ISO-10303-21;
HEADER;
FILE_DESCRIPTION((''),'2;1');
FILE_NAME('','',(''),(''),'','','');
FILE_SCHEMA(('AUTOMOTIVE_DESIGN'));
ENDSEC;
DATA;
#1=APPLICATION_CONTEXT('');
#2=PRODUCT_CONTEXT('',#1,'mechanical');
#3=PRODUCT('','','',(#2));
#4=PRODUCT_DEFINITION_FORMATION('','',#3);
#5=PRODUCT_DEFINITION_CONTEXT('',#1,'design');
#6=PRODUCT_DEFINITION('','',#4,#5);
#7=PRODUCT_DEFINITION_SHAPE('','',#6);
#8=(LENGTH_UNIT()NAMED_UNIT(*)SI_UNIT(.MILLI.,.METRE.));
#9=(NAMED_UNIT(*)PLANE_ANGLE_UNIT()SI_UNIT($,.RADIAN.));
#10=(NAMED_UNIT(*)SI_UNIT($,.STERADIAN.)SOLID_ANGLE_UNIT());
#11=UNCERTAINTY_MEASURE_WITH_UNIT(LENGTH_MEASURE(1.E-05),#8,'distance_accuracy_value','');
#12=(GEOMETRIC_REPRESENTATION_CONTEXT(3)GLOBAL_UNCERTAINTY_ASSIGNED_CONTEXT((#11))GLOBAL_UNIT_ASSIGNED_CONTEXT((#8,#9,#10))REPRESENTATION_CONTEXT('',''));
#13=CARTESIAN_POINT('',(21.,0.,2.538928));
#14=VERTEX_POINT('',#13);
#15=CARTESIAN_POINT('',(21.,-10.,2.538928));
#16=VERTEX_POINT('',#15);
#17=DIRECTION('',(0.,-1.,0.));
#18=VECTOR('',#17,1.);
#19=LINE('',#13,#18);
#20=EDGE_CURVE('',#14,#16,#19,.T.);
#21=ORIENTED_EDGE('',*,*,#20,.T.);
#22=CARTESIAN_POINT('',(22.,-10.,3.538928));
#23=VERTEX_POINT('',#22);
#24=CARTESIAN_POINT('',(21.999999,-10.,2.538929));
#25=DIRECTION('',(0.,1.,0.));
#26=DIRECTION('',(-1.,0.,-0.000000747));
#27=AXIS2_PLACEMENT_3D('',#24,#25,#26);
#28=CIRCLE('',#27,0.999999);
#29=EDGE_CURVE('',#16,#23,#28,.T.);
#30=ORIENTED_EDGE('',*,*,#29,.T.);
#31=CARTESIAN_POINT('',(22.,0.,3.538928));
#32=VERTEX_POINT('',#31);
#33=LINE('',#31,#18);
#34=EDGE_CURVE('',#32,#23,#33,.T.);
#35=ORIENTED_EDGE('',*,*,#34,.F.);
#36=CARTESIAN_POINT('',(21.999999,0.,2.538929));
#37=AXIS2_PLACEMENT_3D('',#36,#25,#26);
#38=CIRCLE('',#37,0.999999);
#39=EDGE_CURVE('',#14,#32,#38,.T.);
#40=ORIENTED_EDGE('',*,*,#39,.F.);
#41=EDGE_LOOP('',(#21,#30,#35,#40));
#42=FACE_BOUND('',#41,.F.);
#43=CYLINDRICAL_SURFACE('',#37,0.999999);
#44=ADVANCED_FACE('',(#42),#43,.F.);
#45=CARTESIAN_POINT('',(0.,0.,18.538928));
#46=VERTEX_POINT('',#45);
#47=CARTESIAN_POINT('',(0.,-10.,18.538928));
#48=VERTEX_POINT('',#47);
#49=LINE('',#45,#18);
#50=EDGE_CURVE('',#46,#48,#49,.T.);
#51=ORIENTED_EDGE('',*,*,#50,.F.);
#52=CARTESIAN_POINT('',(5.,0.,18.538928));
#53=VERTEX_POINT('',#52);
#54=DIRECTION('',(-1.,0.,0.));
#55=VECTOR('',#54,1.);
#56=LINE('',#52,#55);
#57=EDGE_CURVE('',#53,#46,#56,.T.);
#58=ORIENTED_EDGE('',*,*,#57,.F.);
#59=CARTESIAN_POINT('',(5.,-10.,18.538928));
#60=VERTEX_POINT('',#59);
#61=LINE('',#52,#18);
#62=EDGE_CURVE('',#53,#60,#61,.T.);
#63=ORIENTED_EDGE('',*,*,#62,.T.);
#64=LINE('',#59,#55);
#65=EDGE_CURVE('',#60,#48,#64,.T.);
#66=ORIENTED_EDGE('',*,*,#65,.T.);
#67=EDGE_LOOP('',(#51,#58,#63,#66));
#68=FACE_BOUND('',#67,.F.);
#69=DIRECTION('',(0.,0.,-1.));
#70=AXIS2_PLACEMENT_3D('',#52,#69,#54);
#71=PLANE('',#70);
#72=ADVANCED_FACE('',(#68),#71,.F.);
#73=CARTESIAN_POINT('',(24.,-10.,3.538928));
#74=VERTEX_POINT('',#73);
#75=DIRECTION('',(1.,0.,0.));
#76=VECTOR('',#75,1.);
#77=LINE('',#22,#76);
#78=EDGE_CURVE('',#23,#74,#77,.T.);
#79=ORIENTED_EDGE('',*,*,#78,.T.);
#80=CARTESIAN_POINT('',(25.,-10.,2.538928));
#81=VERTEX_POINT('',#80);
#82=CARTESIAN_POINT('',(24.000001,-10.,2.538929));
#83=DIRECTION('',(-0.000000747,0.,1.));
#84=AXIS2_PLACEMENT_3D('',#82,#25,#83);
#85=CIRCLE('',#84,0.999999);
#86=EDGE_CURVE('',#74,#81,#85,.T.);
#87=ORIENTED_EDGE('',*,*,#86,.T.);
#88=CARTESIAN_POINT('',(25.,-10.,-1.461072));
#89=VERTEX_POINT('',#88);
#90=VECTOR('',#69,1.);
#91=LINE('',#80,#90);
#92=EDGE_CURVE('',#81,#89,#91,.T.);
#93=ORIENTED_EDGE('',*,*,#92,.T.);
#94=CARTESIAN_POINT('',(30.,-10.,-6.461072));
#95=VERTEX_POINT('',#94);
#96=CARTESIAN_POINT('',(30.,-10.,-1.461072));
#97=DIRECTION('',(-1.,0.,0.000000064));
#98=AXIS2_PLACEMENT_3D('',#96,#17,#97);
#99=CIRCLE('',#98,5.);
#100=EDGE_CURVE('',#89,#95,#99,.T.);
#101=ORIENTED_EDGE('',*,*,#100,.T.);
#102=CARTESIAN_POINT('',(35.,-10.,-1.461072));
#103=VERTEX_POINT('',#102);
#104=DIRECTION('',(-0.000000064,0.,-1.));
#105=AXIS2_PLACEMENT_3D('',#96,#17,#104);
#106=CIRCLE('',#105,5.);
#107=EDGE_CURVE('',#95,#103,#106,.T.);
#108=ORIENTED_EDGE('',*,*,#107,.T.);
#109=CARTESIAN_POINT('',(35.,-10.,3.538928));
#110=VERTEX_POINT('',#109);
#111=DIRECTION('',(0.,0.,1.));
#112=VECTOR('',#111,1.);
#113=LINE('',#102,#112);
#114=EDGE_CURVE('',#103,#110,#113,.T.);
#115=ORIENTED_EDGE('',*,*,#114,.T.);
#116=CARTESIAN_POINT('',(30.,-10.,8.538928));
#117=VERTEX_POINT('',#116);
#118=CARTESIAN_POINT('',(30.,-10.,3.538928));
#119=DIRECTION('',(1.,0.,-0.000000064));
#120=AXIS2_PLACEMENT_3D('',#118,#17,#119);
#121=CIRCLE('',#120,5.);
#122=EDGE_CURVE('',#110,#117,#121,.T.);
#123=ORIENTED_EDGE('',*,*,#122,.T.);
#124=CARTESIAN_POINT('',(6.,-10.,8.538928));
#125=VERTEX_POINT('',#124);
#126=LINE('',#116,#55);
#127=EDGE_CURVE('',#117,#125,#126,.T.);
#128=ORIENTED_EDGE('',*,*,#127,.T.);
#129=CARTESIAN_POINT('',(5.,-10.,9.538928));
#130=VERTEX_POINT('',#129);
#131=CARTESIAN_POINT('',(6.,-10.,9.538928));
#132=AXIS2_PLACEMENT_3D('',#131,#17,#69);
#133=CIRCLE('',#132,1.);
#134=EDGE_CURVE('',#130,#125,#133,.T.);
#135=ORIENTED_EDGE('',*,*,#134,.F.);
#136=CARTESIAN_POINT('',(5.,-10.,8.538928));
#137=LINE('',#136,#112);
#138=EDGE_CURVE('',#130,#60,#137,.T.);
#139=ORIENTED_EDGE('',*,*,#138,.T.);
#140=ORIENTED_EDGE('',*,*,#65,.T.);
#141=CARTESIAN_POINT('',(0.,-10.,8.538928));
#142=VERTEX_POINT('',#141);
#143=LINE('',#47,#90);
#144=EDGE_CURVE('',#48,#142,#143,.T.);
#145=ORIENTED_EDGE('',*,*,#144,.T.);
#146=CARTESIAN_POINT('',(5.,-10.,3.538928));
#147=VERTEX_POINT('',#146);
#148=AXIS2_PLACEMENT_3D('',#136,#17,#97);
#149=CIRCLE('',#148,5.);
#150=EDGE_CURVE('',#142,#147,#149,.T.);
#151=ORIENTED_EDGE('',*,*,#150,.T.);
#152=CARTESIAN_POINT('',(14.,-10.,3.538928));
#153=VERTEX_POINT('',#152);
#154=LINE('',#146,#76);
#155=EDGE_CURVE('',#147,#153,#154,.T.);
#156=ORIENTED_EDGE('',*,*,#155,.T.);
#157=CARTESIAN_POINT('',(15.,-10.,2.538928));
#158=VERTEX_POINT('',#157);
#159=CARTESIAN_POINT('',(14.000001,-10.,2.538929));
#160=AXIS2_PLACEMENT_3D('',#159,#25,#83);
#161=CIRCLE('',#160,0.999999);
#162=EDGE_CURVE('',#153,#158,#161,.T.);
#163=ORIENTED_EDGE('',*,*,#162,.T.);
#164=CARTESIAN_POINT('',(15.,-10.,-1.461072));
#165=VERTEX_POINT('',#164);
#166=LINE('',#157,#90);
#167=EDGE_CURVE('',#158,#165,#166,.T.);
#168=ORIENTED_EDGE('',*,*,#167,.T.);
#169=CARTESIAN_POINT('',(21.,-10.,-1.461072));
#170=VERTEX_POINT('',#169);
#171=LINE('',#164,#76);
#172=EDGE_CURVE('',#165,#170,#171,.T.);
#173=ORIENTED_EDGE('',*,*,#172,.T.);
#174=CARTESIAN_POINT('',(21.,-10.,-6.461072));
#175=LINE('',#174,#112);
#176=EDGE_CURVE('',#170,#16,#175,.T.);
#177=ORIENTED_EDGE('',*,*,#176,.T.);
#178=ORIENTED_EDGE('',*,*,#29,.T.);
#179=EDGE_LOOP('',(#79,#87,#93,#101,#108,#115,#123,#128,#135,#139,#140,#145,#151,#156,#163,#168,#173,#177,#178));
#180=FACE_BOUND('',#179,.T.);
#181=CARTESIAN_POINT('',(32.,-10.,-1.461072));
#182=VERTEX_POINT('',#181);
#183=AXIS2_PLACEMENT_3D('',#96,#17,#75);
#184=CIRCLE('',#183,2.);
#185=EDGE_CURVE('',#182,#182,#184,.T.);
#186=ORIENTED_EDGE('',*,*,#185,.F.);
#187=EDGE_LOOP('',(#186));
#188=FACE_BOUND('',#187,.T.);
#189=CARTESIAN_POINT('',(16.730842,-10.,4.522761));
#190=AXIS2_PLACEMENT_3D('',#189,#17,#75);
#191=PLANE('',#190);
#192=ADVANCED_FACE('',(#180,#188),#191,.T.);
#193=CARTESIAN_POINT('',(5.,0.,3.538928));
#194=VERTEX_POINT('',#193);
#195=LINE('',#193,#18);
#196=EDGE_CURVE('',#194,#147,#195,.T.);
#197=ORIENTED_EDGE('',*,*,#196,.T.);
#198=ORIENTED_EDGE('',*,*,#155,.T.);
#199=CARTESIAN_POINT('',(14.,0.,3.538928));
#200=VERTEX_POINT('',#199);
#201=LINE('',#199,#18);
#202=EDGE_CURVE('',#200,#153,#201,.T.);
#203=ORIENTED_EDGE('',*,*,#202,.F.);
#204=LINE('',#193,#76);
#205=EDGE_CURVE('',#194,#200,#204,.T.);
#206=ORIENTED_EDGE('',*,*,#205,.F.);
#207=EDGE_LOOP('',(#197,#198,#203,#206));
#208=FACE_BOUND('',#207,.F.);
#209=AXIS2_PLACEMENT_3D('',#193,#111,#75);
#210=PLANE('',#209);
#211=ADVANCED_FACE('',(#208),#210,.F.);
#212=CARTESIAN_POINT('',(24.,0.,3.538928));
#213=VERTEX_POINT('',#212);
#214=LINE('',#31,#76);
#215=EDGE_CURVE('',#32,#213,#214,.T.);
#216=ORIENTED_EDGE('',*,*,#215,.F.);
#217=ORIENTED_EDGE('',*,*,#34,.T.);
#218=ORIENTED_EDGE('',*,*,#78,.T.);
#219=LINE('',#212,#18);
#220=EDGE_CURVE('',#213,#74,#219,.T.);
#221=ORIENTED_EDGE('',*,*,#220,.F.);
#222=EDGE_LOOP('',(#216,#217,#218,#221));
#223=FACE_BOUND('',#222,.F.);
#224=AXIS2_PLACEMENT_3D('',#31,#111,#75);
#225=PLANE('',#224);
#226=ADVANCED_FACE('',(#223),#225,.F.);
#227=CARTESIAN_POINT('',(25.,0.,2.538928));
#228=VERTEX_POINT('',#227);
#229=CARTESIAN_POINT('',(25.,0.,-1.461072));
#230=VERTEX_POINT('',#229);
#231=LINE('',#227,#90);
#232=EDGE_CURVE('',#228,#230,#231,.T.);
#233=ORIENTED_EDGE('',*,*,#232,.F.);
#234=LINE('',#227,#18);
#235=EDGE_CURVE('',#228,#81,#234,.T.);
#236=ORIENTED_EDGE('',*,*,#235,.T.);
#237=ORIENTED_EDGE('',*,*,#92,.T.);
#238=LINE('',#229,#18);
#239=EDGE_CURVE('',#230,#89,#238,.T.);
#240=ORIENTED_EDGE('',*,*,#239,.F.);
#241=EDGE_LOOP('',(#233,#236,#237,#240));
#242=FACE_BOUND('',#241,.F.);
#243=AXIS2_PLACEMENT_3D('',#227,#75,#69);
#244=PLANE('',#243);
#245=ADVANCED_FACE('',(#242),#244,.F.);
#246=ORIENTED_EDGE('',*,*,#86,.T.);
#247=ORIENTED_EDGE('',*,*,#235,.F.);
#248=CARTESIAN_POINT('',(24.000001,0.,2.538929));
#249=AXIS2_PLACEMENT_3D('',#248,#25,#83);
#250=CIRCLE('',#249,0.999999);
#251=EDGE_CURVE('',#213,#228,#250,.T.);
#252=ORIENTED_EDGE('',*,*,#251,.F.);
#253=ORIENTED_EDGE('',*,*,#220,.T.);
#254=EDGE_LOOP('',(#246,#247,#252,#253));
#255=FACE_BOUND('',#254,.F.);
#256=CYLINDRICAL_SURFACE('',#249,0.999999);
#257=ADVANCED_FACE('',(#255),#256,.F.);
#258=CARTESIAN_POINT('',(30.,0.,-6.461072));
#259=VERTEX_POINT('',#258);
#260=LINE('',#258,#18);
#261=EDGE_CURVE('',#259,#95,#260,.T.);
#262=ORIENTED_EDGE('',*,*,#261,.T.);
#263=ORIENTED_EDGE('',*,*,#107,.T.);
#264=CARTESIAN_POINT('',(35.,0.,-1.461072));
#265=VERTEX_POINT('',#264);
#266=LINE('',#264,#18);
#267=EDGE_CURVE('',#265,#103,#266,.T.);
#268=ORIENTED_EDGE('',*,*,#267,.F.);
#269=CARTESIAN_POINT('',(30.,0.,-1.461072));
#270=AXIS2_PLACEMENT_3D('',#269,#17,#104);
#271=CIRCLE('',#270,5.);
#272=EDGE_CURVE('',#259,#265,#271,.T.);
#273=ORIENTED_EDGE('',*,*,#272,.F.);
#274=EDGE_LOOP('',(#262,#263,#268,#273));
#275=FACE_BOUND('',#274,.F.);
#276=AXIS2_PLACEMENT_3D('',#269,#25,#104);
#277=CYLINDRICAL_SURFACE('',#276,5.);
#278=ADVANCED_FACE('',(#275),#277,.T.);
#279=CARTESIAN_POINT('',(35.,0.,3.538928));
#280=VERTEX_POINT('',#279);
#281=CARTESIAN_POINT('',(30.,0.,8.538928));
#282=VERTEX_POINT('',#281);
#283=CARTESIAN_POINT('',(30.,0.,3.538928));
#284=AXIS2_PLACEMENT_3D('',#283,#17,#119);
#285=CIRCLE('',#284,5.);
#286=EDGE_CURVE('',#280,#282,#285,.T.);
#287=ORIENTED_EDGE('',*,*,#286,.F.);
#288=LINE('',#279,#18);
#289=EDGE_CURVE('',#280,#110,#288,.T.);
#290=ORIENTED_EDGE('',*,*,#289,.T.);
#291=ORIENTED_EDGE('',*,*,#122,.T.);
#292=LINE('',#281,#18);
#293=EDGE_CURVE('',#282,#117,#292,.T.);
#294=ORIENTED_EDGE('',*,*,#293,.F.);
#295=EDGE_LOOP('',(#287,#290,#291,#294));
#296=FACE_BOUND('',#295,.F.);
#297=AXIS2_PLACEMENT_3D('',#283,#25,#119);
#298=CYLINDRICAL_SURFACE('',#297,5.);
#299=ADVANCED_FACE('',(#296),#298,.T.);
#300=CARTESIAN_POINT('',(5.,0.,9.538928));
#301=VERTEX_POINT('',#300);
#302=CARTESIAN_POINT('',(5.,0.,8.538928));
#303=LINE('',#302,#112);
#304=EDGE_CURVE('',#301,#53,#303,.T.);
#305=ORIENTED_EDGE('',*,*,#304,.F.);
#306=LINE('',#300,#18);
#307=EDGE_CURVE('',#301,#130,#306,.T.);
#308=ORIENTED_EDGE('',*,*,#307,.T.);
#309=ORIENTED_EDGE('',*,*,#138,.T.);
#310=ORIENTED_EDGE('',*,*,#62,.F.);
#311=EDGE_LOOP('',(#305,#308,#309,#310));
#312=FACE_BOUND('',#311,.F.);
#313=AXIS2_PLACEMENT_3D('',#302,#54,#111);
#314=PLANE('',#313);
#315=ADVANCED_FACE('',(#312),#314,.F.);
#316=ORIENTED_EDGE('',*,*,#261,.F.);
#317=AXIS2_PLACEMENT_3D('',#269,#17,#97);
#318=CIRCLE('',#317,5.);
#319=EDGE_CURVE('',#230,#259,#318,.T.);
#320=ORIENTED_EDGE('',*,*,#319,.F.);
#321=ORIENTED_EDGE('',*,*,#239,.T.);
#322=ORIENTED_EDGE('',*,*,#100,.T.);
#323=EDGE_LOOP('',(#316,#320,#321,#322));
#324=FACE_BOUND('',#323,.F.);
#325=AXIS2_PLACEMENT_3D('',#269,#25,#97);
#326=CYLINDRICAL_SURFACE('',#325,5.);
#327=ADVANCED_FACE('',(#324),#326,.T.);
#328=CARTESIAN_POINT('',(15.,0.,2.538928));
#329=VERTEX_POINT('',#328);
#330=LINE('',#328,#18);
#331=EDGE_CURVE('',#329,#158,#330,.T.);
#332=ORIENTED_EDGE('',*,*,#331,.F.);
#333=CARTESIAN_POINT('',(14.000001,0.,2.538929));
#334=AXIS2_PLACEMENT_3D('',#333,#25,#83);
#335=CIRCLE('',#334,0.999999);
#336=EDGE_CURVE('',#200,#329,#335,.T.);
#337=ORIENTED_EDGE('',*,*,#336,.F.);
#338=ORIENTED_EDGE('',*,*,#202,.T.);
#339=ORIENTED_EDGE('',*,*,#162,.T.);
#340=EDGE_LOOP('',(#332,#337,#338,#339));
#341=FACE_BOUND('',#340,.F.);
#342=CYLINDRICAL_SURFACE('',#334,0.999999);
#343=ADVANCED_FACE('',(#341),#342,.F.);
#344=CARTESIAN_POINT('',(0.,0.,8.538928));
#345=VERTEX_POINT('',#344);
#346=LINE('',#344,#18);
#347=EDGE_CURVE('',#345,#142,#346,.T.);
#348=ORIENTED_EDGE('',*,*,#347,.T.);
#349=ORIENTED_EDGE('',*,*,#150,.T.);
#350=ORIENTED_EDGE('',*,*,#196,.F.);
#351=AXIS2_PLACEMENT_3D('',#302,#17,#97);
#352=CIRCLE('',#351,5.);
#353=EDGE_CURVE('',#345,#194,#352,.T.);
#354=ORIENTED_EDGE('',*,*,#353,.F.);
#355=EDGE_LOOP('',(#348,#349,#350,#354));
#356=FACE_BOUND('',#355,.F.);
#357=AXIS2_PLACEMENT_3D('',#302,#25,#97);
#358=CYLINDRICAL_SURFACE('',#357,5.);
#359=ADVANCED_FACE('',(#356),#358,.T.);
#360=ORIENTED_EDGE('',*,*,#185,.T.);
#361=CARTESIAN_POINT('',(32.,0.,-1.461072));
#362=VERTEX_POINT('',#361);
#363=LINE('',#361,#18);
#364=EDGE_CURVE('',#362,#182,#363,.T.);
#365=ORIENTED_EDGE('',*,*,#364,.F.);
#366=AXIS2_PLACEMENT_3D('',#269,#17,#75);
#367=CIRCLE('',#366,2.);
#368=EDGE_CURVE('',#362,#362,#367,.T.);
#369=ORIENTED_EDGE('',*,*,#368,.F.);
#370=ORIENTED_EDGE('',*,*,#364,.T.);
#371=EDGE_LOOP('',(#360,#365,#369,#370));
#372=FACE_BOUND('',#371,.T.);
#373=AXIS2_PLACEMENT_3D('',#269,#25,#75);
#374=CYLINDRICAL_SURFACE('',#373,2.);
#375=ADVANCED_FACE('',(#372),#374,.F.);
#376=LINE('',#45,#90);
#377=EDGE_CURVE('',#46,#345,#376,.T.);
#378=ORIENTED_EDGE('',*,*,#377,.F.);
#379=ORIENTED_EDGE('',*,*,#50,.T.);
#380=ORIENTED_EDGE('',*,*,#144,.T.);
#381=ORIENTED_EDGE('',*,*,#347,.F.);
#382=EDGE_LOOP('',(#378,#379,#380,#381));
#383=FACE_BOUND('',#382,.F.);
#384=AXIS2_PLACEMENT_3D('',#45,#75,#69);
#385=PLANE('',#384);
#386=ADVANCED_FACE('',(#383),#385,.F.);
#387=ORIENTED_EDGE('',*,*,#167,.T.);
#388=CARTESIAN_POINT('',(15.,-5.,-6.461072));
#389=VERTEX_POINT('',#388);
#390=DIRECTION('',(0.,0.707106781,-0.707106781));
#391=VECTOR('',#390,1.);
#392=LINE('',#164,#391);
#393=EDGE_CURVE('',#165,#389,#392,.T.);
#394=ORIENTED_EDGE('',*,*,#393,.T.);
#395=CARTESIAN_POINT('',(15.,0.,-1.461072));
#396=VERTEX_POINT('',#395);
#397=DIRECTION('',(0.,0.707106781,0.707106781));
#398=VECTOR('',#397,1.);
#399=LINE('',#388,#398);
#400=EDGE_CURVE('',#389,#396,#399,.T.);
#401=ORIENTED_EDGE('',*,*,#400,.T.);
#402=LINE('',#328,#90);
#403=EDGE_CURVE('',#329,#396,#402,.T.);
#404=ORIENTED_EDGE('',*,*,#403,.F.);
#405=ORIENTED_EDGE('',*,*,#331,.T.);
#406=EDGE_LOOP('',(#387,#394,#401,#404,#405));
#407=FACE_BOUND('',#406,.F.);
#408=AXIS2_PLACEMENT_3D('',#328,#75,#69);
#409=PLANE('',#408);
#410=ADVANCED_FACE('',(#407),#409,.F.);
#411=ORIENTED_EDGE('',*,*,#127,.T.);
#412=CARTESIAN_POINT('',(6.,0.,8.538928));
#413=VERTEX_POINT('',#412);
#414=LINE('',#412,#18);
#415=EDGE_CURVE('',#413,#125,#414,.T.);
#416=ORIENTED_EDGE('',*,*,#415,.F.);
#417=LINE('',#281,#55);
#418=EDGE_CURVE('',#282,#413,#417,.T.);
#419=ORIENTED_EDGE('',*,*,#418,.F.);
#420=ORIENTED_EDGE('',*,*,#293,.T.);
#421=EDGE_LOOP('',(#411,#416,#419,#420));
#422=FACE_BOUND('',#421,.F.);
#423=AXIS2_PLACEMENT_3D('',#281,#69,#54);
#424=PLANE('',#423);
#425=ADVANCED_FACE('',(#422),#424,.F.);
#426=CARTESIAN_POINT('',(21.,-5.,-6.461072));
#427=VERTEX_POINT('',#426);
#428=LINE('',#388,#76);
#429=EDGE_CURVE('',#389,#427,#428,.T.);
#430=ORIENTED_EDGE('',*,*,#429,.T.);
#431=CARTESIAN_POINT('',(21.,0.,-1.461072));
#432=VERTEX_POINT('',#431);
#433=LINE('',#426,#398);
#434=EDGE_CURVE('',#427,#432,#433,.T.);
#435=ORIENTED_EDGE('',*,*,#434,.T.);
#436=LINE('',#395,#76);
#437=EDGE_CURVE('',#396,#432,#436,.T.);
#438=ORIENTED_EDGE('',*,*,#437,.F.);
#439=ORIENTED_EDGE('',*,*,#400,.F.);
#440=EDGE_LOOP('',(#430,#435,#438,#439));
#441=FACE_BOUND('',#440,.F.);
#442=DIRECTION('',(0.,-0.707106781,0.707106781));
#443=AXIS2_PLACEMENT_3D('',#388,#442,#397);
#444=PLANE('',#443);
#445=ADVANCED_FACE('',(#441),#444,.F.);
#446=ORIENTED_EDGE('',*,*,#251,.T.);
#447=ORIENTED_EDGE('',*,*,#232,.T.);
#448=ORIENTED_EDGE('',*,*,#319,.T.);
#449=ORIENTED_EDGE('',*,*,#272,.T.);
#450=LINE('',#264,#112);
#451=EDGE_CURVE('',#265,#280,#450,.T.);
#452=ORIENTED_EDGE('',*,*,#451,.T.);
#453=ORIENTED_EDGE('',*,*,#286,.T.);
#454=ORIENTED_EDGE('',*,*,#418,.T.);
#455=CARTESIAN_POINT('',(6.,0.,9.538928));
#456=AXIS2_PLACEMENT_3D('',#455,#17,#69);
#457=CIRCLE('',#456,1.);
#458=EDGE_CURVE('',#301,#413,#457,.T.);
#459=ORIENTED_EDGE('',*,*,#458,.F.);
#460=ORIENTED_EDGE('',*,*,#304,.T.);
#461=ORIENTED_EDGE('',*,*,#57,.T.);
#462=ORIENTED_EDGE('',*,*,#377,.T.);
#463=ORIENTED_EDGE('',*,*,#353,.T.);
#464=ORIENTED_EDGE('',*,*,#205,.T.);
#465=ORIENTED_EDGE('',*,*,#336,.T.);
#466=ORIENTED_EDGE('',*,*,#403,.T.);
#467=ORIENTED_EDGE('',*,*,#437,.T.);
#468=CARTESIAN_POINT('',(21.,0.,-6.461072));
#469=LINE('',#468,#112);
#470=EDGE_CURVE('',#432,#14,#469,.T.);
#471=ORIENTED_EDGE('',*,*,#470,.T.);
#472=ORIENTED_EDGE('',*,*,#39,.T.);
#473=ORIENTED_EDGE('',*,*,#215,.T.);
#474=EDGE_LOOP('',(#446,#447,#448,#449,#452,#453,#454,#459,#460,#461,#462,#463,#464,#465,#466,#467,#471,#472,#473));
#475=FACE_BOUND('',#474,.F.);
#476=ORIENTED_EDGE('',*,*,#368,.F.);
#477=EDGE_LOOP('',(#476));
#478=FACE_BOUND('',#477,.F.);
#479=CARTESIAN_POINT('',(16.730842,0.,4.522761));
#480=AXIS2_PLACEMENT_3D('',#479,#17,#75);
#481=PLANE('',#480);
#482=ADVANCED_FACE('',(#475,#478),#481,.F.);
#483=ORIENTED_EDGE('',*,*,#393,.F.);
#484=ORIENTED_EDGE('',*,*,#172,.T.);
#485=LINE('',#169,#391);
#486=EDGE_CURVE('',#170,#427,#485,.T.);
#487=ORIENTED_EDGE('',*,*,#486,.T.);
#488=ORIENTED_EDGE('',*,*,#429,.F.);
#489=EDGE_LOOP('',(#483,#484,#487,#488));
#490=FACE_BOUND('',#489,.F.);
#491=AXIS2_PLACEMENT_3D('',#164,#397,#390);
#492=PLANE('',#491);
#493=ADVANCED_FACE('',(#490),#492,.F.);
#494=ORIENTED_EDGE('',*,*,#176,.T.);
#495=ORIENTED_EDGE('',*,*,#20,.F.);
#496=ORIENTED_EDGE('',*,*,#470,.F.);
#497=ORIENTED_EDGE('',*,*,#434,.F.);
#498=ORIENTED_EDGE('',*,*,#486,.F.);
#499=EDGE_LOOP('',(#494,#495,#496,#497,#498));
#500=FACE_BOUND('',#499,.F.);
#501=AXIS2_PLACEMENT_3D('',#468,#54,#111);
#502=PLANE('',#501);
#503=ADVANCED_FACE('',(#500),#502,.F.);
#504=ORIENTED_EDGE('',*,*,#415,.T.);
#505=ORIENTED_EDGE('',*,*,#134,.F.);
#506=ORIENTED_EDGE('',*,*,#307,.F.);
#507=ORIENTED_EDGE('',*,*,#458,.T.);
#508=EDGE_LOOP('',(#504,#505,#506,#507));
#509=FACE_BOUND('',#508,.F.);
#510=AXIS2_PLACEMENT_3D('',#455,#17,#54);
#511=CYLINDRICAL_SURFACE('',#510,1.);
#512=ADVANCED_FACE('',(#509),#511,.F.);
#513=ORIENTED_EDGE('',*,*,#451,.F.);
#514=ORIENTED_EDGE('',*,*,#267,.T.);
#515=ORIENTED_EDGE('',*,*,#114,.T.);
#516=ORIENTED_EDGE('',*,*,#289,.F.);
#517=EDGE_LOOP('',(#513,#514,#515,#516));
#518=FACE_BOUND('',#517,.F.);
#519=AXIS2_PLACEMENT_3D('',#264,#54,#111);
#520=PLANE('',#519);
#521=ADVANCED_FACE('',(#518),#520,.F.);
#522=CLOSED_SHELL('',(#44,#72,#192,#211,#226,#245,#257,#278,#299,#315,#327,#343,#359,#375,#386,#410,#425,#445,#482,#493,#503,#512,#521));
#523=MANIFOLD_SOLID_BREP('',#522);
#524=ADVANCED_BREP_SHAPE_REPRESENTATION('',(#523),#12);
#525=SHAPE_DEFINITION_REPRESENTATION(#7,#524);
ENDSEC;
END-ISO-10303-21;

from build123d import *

# Parameters (mm, degrees)
F0_R     = 2
F1_DEPTH = 10
F2_R     = 1
F4_DEPTH = 6


with BuildPart() as f1:
    # F0 (on Front) → F1 (new body)
    with BuildSketch(Plane.XZ):
        with BuildLine():
            Line((5, 18.538928), (0, 18.538928))
            Line((0, 18.538928), (0, 8.538928))
            ThreePointArc((0, 8.538928), (1.464466, 5.003394), (5, 3.538928))
            Line((5, 3.538928), (14, 3.538928))
            ThreePointArc((14, 3.538928), (14.707107, 3.246035), (15, 2.538928))
            Line((15, 2.538928), (15, -6.461072))
            Line((15, -6.461072), (21, -6.461072))
            Line((21, -6.461072), (21, 2.538928))
            ThreePointArc((21, 2.538928), (21.292893, 3.246035), (22, 3.538928))
            Line((22, 3.538928), (24, 3.538928))
            ThreePointArc((24, 3.538928), (24.707107, 3.246035), (25, 2.538928))
            Line((25, 2.538928), (25, -1.461072))
            ThreePointArc((25, -1.461072), (26.464466, -4.996606), (30, -6.461072))
            ThreePointArc((30, -6.461072), (33.535534, -4.996606), (35, -1.461072))
            Line((35, -1.461072), (35, 3.538928))
            ThreePointArc((35, 3.538928), (33.535534, 7.074462), (30, 8.538928))
            Line((30, 8.538928), (5, 8.538928))
            Line((5, 8.538928), (5, 18.538928))
        make_face()
        with Locations((30, -1.461072)):
            Circle(F0_R, mode=Mode.SUBTRACT)
    extrude(amount=F1_DEPTH)

    # F2
    f2_edges = [f1.edges().sort_by_distance(p)[0] for p in [
        (5, -5, 8.538928),
    ]]
    fillet(f2_edges, radius=F2_R)

    # F3 (on face) → F4 (cut)
    with BuildSketch(Plane(origin=(15, 0, 0), x_dir=(0, -1, 0), z_dir=(-1, 0, 0))):
        Polygon((0, -6.461072), (5, -6.461072), (0, -1.461072), align=None)
        Polygon((10, -1.461072), (5, -6.461072), (10, -6.461072), align=None)
    extrude(amount=-F4_DEPTH, mode=Mode.SUBTRACT)


solid = f1.part
